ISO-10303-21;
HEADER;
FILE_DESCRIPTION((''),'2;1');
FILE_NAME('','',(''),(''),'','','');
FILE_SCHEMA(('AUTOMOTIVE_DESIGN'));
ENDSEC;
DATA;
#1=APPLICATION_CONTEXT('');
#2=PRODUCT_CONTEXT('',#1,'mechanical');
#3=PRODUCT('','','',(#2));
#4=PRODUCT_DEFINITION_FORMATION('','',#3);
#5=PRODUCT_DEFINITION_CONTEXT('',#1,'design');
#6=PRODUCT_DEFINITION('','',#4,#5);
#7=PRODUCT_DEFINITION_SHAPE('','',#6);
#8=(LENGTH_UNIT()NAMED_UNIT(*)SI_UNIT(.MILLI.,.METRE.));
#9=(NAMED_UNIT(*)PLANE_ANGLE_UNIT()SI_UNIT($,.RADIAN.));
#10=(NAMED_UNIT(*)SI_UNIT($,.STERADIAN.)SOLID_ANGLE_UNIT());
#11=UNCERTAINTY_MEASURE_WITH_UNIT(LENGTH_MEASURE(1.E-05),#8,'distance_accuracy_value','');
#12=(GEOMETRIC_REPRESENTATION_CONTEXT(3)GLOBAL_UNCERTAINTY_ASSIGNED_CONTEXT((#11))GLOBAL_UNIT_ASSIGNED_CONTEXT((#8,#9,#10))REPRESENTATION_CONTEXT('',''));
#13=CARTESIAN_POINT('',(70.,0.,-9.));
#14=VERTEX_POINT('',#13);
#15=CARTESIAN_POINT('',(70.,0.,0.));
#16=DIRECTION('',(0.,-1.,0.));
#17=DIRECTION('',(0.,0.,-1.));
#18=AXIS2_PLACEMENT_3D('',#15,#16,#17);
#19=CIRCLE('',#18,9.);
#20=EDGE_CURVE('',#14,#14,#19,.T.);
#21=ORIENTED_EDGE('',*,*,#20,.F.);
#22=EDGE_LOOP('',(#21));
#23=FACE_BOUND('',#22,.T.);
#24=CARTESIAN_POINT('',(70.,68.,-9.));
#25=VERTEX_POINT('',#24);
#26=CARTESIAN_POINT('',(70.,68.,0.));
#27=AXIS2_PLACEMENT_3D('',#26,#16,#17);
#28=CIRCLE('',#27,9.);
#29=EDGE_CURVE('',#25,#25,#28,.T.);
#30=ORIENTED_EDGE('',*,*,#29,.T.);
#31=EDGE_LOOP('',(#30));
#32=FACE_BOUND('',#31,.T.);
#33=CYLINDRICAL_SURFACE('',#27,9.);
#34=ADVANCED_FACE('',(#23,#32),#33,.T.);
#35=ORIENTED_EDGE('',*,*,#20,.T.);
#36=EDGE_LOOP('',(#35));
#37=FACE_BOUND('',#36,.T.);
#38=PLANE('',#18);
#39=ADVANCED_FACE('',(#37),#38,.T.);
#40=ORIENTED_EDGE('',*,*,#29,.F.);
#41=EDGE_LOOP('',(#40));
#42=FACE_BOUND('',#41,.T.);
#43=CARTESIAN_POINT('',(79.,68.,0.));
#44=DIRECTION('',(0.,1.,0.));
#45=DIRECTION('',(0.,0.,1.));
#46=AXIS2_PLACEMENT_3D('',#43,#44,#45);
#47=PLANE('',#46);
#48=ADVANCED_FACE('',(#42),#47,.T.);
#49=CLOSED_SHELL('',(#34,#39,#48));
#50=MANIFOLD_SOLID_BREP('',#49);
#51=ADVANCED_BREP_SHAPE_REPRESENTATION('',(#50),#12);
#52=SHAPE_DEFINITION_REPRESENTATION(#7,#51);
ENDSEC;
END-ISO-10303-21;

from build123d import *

# Parameters (mm, degrees)
SKETCH_1_W = 9
SKETCH_1_H = 68


with BuildPart() as part:
    # 草图1 → 旋转1 (revolve)
    with BuildSketch(Plane.XY):
        with Locations((74.5, 34)):
            Rectangle(SKETCH_1_W, SKETCH_1_H)
    revolve(axis=Axis((70, 68, 0), (0, -1, 0)))


solid = part.part
